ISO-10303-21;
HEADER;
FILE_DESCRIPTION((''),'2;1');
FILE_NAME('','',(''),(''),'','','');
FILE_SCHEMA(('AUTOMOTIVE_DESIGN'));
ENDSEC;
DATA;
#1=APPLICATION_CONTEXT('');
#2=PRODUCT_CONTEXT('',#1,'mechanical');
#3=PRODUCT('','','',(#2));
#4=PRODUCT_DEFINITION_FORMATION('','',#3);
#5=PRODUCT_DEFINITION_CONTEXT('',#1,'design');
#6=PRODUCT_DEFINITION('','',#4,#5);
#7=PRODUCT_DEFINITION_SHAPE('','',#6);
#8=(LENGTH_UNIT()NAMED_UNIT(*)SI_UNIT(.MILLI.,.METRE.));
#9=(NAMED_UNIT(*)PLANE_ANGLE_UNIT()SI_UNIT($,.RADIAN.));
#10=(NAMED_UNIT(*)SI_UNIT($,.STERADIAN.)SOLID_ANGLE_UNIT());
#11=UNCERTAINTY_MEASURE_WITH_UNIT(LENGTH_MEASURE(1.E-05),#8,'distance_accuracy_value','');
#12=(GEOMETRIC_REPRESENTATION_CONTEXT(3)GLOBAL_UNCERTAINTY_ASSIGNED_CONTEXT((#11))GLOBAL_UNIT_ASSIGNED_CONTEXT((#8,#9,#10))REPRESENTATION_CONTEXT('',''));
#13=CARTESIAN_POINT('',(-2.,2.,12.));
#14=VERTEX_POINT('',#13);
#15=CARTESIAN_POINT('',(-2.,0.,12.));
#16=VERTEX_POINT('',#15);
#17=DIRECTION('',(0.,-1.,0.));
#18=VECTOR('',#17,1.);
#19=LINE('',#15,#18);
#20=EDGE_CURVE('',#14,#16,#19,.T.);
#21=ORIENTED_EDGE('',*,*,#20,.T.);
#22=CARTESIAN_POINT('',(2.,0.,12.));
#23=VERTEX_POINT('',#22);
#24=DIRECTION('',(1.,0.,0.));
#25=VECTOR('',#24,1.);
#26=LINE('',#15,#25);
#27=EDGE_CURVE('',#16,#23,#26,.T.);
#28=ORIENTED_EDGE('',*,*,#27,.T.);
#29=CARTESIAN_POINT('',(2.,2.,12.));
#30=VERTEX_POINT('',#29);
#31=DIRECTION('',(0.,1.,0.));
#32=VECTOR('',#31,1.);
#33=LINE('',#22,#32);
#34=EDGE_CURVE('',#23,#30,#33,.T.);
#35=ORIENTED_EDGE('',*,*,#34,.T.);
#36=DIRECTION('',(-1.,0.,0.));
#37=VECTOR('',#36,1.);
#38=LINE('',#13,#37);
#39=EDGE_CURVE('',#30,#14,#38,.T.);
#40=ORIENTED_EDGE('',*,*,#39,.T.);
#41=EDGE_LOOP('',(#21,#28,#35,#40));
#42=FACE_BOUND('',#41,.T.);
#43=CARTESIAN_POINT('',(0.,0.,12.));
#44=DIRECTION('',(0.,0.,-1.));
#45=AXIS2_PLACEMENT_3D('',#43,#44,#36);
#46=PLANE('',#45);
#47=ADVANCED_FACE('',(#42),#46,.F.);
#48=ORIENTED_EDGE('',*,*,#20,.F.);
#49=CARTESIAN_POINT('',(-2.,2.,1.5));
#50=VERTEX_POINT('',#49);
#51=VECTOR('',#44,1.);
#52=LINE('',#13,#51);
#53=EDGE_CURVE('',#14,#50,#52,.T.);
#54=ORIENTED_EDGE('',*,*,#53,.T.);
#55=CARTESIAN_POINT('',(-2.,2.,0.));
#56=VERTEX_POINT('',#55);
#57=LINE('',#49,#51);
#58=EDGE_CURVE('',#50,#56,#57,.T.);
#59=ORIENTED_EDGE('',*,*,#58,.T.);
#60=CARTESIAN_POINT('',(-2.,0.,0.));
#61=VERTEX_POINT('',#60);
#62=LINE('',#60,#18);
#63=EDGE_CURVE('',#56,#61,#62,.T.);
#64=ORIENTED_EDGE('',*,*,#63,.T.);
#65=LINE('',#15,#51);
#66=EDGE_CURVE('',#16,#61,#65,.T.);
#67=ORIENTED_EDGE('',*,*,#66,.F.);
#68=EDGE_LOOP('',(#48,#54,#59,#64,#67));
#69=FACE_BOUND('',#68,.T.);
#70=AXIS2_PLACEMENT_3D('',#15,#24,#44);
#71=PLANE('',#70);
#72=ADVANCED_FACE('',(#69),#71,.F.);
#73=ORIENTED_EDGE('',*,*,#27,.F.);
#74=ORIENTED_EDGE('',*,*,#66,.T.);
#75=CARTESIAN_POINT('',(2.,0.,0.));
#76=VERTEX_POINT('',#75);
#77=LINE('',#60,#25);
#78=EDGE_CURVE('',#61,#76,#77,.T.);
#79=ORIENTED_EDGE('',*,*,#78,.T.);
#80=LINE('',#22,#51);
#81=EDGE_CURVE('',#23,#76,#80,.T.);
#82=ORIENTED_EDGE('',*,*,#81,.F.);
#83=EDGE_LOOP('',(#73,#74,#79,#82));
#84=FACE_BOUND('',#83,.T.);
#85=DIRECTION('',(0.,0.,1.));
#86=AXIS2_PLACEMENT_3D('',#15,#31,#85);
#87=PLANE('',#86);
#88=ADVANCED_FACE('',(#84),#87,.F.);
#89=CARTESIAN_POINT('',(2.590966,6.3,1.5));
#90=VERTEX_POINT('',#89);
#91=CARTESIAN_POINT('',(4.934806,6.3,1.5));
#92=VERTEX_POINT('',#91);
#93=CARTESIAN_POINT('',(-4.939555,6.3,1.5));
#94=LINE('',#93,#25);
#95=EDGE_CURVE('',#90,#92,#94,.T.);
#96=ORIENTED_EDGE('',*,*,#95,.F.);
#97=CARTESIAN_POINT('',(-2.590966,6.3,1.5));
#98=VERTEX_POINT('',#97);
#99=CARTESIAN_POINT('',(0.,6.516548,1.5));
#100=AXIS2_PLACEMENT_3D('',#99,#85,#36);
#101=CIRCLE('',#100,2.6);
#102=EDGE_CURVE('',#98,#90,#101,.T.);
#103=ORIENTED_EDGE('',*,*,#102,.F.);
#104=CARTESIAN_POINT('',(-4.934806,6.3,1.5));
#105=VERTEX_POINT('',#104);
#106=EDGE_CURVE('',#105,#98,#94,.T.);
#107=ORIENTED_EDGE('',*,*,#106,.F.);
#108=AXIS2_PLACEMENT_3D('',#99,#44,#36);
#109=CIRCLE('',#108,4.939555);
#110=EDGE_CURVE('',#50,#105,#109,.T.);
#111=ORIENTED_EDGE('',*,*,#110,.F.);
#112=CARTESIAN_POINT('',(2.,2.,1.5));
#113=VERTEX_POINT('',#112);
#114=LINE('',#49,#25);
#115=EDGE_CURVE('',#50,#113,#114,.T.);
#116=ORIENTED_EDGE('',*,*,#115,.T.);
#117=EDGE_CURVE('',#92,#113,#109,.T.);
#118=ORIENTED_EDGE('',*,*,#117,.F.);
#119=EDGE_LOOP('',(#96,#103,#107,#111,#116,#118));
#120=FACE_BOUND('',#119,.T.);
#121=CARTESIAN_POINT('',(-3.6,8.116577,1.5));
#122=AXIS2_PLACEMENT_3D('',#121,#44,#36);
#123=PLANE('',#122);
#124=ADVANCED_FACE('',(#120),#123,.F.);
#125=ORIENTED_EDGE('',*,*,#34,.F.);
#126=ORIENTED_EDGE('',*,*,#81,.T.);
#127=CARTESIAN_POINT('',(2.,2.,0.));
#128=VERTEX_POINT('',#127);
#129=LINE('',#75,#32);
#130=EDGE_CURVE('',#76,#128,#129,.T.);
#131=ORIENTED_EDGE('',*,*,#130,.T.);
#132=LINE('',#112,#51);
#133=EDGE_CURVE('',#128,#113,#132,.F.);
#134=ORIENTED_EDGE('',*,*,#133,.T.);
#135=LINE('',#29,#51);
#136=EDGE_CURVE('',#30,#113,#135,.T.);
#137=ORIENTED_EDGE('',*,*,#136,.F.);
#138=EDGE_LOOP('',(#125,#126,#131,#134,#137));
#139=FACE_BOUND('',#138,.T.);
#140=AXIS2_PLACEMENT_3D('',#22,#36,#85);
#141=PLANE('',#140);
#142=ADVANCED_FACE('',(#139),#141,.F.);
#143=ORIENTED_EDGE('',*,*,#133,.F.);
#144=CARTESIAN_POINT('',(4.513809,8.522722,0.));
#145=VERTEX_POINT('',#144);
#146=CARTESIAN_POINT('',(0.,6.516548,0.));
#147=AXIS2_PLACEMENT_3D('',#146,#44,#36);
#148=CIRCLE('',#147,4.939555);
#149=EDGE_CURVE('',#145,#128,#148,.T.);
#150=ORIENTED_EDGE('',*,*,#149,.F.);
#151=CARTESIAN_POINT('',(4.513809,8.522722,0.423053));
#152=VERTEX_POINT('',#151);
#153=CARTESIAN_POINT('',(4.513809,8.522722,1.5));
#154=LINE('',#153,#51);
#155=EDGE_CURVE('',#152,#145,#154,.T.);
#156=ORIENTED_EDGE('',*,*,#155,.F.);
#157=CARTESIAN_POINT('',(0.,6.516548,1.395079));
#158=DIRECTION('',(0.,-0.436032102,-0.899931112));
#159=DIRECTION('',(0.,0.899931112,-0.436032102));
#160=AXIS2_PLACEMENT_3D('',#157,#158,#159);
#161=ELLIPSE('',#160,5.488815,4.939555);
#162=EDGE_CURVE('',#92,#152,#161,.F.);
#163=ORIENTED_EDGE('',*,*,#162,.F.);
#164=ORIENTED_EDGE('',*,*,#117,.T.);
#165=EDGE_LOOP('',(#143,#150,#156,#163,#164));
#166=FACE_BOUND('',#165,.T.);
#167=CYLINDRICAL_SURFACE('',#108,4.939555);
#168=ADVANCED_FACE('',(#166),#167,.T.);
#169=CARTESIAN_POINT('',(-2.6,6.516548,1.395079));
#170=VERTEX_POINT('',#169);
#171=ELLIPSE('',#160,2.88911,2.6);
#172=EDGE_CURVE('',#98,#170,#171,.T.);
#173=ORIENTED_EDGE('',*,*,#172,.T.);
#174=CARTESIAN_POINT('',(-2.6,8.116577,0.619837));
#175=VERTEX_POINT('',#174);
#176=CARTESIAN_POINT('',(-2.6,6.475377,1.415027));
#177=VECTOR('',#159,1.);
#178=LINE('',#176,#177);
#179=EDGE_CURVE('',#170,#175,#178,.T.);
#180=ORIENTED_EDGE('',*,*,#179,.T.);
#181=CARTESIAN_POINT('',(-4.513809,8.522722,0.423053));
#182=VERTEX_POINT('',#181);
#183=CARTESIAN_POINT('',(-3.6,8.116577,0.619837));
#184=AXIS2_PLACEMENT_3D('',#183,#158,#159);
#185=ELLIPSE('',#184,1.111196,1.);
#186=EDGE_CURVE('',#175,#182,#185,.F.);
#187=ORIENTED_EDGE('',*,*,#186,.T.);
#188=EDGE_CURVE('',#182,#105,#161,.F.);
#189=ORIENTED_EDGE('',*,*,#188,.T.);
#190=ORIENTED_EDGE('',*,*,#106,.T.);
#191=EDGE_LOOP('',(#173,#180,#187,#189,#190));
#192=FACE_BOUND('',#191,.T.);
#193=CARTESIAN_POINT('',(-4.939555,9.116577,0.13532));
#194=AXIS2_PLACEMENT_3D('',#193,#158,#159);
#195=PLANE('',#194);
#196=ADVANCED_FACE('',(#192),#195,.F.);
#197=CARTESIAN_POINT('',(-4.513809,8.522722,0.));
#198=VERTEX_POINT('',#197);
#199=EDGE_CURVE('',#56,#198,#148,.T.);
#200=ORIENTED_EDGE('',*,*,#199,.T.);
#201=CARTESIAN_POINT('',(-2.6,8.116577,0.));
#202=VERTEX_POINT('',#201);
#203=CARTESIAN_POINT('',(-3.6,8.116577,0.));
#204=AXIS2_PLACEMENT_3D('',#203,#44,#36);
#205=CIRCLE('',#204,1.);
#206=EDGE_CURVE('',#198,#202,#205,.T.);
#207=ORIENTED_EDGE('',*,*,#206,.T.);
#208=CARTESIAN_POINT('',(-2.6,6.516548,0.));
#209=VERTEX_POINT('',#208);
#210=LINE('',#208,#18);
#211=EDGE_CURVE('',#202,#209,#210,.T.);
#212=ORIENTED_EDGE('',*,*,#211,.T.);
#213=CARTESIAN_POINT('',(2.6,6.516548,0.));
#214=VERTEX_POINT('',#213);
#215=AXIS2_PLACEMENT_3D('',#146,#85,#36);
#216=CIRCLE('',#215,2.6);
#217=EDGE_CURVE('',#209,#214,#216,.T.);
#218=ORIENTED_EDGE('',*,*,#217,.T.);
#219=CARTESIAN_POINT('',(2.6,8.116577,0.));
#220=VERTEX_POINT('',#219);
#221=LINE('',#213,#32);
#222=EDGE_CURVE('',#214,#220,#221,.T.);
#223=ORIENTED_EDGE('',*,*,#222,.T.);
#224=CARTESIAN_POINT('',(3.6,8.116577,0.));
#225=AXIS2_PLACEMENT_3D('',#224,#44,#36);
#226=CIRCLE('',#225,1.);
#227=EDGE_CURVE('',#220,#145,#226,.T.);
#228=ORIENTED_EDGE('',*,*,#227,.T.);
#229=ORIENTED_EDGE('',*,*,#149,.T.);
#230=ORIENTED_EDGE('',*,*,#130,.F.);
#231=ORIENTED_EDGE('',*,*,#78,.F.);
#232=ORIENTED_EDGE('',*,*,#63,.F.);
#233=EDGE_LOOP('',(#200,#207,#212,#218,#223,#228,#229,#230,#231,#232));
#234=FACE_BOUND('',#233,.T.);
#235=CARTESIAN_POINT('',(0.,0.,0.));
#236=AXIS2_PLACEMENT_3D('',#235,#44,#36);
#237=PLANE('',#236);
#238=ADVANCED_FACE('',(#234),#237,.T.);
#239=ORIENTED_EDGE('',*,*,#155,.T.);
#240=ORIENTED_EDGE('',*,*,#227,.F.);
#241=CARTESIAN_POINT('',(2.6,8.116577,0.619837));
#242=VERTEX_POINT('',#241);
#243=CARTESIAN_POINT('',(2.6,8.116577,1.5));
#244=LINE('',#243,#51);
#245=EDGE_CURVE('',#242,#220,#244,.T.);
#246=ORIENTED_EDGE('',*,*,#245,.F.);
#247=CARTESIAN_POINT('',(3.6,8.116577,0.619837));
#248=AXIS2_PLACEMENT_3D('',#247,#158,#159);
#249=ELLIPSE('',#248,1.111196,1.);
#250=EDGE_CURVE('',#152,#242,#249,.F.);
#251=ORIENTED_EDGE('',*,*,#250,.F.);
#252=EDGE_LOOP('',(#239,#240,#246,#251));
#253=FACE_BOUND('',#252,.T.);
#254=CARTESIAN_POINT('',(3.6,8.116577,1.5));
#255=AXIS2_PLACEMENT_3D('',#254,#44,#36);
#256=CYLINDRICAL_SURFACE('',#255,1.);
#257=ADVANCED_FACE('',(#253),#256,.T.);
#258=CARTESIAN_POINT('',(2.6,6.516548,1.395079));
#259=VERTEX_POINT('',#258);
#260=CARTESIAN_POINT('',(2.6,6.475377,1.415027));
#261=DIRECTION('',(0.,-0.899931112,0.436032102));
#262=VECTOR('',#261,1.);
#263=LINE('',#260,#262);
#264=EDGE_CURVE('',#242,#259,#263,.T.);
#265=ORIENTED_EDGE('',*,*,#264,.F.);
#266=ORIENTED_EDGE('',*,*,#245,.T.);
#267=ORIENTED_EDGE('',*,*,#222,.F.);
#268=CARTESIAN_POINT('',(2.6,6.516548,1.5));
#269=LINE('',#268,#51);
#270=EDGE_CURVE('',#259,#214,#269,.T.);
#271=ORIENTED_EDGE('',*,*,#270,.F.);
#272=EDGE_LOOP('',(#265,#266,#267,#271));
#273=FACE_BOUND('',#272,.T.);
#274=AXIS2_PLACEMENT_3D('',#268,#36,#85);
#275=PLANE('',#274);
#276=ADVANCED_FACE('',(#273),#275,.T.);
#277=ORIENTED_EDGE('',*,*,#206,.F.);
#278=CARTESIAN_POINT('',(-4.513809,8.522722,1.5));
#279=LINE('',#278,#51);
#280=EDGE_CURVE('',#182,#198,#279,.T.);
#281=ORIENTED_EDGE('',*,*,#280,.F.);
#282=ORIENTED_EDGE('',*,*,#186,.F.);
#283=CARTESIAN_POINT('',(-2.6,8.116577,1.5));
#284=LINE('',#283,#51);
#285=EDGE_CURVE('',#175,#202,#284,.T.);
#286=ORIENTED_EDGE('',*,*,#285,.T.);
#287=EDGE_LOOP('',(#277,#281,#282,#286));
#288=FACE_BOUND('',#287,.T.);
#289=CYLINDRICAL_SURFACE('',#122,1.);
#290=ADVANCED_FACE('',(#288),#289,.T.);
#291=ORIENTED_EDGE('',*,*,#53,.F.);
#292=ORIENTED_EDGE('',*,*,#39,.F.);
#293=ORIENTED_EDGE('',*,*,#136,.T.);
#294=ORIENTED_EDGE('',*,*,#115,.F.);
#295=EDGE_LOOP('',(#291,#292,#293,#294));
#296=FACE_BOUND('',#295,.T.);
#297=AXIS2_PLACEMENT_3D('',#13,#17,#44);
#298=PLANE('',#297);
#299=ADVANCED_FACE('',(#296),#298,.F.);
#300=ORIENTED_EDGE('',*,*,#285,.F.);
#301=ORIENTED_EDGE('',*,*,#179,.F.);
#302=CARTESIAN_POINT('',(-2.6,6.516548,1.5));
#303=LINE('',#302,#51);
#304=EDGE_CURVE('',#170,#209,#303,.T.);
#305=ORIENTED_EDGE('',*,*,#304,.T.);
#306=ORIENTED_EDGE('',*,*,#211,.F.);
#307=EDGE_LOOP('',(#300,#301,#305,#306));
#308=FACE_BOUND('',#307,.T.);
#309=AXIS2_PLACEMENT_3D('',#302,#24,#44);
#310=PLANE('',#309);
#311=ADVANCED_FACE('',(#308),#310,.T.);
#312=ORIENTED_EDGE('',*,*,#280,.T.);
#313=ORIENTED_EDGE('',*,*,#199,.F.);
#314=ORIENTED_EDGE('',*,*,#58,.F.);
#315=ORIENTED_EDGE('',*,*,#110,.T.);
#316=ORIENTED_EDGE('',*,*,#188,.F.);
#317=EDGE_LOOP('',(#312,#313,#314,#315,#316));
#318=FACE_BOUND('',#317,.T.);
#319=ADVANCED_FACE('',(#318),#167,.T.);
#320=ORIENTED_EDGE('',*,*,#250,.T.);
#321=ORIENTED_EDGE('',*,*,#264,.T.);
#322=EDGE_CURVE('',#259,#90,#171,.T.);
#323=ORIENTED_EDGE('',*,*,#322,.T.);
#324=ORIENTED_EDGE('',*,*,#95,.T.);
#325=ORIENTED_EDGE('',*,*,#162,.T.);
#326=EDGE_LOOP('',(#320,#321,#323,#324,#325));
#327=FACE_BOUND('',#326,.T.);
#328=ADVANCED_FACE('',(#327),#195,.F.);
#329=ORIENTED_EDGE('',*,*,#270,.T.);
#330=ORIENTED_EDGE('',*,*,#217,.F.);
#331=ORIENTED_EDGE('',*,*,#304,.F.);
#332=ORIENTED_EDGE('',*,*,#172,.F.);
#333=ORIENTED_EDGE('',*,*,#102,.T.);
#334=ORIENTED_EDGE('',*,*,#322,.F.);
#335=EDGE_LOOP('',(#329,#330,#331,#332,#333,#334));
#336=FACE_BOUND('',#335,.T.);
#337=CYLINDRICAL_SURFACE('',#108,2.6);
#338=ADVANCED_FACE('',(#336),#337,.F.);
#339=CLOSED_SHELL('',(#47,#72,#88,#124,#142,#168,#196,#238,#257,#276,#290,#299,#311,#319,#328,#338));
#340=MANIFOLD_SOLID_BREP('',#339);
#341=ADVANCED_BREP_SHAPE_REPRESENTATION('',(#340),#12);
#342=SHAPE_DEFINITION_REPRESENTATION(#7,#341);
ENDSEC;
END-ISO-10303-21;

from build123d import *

# Parameters (mm, degrees)
SKETCH1_W               = 4
SKETCH1_H               = 2
BOSS_EXTRUDE1_DEPTH     = 12
BOSS_EXTRUDE2_DEPTH     = 1.5
CUT_EXTRUDE2_DEPTH      = 16.859104004
CUT_EXTRUDE2_DEPTH_BACK = 16.859104004


with BuildPart() as part:
    # Sketch1 → Boss-Extrude1 (new body)
    with BuildSketch(Plane.XY):
        with Locations((0, 1)):
            Rectangle(SKETCH1_W, SKETCH1_H)
    extrude(amount=BOSS_EXTRUDE1_DEPTH)

    # Sketch2 → Boss-Extrude2 (add)
    with BuildSketch(Plane(origin=(0, 0, 0), x_dir=(-1, 0, 0), z_dir=(0, 0, -1))):
        with BuildLine():
            Line((-2.6, 6.516547752), (-2.6, 8.116577001))
            ThreePointArc((-2.6, 8.116577001), (-3.392405194, 9.094791904), (-4.513808793, 8.522721667))
            ThreePointArc((-4.513808793, 8.522721667), (0, 1.576992752), (4.513808793, 8.522721667))
            ThreePointArc((4.513808793, 8.522721667), (3.392405194, 9.094791904), (2.6, 8.116577001))
            Line((2.6, 8.116577001), (2.6, 6.516547752))
            ThreePointArc((2.6, 6.516547752), (0, 3.916547752), (-2.6, 6.516547752))
        make_face()
    extrude(amount=-BOSS_EXTRUDE2_DEPTH)

    # Sketch3 → Cut-Extrude2 (cut, two sides: drawn at the far end of the back side and taken through both)
    with BuildSketch(Plane(origin=(0, 0, 0), x_dir=(0, 0, -1), z_dir=(1, 0, 0)).offset(-CUT_EXTRUDE2_DEPTH_BACK)):
        Polygon((-0.13532, 9.116577001), (-1.5, 6.3), (-1.5, 9.116577001), align=None)
    extrude(amount=CUT_EXTRUDE2_DEPTH + CUT_EXTRUDE2_DEPTH_BACK, mode=Mode.SUBTRACT)


solid = part.part
